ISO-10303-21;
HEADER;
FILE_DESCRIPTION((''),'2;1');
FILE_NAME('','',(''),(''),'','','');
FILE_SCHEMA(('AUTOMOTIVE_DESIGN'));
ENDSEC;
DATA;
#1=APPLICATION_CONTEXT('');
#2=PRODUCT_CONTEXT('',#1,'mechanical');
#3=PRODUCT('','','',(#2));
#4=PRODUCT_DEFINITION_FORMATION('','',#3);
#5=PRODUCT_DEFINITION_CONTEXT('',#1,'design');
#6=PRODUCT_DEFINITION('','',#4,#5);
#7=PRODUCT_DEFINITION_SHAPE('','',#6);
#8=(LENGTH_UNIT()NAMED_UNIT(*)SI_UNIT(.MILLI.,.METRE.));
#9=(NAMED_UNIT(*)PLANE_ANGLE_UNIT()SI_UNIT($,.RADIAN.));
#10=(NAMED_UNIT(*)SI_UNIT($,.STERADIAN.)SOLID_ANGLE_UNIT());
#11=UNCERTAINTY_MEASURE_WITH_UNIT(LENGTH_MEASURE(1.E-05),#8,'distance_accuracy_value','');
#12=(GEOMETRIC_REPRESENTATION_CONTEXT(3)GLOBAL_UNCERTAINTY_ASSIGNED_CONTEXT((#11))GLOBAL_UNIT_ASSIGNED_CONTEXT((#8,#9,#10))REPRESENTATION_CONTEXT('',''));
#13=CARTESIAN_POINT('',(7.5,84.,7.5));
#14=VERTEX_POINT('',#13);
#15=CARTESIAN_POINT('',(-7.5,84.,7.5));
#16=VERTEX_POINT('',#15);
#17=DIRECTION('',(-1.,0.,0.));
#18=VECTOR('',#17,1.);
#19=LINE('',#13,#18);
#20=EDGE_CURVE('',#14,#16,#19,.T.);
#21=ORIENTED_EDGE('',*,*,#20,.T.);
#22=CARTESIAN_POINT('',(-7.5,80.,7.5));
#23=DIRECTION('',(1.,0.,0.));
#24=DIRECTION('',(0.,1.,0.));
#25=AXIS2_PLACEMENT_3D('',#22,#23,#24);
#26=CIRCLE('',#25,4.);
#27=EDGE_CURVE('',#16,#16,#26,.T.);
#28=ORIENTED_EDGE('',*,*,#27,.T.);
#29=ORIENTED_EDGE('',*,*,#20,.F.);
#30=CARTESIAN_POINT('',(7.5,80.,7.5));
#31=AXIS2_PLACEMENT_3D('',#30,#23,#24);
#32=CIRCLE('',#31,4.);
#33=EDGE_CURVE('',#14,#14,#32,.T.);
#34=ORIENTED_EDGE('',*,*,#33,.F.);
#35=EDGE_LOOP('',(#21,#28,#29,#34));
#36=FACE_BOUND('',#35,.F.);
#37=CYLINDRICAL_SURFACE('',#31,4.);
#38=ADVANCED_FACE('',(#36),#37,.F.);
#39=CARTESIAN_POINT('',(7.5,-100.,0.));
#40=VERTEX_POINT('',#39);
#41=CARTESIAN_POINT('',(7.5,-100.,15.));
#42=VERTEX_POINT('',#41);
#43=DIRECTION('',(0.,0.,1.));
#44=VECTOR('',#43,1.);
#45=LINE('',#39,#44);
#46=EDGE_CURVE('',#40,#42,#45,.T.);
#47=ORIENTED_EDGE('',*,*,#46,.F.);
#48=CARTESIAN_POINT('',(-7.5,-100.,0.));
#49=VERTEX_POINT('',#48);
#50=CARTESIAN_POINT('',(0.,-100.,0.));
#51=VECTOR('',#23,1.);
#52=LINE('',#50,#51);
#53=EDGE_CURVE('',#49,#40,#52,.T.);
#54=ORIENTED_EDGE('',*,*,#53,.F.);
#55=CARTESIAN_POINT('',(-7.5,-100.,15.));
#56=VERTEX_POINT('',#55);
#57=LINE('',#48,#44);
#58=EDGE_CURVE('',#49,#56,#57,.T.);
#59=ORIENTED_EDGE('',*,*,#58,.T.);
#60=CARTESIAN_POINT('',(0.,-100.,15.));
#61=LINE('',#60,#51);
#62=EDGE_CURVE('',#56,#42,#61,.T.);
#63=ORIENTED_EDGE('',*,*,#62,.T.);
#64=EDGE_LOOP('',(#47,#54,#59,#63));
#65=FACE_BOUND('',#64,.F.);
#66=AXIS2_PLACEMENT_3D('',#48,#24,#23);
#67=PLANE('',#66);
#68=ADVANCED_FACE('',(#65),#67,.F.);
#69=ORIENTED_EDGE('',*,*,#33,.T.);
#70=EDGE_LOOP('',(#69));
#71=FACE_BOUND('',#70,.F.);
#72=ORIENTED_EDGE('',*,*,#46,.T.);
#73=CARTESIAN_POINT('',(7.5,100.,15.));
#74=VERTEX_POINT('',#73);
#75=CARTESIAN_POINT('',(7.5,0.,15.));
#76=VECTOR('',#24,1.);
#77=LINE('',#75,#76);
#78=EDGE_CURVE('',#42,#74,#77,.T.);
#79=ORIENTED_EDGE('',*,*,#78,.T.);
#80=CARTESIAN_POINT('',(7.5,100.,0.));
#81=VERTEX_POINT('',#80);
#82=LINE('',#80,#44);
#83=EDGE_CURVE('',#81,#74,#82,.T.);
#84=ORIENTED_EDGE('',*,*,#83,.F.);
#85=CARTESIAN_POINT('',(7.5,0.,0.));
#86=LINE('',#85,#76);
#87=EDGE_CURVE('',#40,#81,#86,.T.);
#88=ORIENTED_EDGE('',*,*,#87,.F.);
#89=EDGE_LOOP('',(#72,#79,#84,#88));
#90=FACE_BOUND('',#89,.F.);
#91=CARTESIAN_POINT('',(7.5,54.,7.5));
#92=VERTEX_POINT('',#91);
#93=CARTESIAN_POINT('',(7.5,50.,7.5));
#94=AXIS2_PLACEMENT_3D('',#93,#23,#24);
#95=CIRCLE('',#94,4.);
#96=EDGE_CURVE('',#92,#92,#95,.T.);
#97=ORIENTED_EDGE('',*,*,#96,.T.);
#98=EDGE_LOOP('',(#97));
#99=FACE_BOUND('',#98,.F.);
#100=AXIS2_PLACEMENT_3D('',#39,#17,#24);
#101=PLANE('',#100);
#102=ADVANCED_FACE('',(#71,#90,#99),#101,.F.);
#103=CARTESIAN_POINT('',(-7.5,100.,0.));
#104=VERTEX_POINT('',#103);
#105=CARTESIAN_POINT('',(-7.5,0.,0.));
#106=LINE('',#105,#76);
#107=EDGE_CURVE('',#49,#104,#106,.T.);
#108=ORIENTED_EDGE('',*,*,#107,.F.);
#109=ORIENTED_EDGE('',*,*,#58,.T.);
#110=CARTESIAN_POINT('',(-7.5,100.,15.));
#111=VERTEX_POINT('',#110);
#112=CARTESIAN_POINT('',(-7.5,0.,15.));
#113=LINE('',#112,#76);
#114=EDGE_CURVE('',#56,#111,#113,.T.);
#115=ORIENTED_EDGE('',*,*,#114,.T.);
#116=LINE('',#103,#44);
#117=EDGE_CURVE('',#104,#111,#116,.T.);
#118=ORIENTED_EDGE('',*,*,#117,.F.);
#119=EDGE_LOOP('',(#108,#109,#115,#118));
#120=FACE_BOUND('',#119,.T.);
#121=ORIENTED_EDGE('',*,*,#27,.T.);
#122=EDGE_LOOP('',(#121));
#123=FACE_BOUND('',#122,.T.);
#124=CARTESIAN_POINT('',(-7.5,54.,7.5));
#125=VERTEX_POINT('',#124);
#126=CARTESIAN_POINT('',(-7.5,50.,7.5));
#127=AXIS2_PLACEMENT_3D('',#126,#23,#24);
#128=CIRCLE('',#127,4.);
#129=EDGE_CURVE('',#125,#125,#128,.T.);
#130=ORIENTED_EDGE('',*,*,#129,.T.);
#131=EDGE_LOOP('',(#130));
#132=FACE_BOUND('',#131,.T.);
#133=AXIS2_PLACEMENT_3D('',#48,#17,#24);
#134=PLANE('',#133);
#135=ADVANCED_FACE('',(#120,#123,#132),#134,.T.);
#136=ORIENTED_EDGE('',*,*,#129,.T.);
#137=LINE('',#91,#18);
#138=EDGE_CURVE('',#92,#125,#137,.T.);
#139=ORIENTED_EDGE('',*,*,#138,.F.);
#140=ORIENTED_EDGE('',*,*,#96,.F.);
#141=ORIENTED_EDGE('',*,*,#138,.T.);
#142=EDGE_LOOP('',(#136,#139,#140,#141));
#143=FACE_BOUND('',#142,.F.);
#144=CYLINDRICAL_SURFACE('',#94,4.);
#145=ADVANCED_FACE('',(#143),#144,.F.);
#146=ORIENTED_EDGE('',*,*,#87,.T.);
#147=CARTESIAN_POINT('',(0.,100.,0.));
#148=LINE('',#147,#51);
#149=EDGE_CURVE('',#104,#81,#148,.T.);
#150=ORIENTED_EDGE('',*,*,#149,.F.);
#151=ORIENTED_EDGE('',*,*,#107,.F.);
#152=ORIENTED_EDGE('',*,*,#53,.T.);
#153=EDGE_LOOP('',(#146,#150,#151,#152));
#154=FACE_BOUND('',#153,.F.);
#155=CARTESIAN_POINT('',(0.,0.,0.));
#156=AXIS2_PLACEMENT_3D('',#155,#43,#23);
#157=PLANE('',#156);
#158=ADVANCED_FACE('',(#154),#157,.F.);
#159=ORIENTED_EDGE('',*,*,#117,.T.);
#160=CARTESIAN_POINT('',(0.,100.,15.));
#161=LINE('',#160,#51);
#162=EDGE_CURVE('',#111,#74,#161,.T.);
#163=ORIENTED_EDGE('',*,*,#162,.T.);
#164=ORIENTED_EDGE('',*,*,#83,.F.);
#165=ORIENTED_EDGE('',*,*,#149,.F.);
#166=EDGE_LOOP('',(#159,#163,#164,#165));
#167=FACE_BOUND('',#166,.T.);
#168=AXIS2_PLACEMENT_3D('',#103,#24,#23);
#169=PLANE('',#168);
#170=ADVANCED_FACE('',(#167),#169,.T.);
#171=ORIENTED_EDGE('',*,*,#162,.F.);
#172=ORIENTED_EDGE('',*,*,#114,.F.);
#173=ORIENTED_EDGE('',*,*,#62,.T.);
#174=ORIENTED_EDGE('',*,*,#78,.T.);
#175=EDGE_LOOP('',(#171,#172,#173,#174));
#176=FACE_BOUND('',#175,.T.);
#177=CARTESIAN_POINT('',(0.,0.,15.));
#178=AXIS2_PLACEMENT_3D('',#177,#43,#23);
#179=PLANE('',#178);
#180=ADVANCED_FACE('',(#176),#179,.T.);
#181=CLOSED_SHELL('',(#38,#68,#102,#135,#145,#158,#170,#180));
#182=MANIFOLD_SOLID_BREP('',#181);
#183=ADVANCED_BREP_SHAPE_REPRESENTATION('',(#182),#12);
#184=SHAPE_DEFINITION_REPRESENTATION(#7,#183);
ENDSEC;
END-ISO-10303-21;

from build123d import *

# Parameters (mm, degrees)
F0_W     = 15
F0_H     = 200
F1_DEPTH = 15
F2_R     = 4
F3_DEPTH = 15


with BuildPart() as f1:
    # F0 (on Top) → F1 (new body)
    with BuildSketch(Plane.XY):
        Rectangle(F0_W, F0_H)
    extrude(amount=F1_DEPTH)

    # F2 (on face) → F3 (cut, through all)
    with BuildSketch(Plane.YZ.offset(7.5)):
        with Locations((50, 7.5)):
            Circle(F2_R)
        with Locations((80, 7.5)):
            Circle(F2_R)
    extrude(amount=-F3_DEPTH, mode=Mode.SUBTRACT)


solid = f1.part
